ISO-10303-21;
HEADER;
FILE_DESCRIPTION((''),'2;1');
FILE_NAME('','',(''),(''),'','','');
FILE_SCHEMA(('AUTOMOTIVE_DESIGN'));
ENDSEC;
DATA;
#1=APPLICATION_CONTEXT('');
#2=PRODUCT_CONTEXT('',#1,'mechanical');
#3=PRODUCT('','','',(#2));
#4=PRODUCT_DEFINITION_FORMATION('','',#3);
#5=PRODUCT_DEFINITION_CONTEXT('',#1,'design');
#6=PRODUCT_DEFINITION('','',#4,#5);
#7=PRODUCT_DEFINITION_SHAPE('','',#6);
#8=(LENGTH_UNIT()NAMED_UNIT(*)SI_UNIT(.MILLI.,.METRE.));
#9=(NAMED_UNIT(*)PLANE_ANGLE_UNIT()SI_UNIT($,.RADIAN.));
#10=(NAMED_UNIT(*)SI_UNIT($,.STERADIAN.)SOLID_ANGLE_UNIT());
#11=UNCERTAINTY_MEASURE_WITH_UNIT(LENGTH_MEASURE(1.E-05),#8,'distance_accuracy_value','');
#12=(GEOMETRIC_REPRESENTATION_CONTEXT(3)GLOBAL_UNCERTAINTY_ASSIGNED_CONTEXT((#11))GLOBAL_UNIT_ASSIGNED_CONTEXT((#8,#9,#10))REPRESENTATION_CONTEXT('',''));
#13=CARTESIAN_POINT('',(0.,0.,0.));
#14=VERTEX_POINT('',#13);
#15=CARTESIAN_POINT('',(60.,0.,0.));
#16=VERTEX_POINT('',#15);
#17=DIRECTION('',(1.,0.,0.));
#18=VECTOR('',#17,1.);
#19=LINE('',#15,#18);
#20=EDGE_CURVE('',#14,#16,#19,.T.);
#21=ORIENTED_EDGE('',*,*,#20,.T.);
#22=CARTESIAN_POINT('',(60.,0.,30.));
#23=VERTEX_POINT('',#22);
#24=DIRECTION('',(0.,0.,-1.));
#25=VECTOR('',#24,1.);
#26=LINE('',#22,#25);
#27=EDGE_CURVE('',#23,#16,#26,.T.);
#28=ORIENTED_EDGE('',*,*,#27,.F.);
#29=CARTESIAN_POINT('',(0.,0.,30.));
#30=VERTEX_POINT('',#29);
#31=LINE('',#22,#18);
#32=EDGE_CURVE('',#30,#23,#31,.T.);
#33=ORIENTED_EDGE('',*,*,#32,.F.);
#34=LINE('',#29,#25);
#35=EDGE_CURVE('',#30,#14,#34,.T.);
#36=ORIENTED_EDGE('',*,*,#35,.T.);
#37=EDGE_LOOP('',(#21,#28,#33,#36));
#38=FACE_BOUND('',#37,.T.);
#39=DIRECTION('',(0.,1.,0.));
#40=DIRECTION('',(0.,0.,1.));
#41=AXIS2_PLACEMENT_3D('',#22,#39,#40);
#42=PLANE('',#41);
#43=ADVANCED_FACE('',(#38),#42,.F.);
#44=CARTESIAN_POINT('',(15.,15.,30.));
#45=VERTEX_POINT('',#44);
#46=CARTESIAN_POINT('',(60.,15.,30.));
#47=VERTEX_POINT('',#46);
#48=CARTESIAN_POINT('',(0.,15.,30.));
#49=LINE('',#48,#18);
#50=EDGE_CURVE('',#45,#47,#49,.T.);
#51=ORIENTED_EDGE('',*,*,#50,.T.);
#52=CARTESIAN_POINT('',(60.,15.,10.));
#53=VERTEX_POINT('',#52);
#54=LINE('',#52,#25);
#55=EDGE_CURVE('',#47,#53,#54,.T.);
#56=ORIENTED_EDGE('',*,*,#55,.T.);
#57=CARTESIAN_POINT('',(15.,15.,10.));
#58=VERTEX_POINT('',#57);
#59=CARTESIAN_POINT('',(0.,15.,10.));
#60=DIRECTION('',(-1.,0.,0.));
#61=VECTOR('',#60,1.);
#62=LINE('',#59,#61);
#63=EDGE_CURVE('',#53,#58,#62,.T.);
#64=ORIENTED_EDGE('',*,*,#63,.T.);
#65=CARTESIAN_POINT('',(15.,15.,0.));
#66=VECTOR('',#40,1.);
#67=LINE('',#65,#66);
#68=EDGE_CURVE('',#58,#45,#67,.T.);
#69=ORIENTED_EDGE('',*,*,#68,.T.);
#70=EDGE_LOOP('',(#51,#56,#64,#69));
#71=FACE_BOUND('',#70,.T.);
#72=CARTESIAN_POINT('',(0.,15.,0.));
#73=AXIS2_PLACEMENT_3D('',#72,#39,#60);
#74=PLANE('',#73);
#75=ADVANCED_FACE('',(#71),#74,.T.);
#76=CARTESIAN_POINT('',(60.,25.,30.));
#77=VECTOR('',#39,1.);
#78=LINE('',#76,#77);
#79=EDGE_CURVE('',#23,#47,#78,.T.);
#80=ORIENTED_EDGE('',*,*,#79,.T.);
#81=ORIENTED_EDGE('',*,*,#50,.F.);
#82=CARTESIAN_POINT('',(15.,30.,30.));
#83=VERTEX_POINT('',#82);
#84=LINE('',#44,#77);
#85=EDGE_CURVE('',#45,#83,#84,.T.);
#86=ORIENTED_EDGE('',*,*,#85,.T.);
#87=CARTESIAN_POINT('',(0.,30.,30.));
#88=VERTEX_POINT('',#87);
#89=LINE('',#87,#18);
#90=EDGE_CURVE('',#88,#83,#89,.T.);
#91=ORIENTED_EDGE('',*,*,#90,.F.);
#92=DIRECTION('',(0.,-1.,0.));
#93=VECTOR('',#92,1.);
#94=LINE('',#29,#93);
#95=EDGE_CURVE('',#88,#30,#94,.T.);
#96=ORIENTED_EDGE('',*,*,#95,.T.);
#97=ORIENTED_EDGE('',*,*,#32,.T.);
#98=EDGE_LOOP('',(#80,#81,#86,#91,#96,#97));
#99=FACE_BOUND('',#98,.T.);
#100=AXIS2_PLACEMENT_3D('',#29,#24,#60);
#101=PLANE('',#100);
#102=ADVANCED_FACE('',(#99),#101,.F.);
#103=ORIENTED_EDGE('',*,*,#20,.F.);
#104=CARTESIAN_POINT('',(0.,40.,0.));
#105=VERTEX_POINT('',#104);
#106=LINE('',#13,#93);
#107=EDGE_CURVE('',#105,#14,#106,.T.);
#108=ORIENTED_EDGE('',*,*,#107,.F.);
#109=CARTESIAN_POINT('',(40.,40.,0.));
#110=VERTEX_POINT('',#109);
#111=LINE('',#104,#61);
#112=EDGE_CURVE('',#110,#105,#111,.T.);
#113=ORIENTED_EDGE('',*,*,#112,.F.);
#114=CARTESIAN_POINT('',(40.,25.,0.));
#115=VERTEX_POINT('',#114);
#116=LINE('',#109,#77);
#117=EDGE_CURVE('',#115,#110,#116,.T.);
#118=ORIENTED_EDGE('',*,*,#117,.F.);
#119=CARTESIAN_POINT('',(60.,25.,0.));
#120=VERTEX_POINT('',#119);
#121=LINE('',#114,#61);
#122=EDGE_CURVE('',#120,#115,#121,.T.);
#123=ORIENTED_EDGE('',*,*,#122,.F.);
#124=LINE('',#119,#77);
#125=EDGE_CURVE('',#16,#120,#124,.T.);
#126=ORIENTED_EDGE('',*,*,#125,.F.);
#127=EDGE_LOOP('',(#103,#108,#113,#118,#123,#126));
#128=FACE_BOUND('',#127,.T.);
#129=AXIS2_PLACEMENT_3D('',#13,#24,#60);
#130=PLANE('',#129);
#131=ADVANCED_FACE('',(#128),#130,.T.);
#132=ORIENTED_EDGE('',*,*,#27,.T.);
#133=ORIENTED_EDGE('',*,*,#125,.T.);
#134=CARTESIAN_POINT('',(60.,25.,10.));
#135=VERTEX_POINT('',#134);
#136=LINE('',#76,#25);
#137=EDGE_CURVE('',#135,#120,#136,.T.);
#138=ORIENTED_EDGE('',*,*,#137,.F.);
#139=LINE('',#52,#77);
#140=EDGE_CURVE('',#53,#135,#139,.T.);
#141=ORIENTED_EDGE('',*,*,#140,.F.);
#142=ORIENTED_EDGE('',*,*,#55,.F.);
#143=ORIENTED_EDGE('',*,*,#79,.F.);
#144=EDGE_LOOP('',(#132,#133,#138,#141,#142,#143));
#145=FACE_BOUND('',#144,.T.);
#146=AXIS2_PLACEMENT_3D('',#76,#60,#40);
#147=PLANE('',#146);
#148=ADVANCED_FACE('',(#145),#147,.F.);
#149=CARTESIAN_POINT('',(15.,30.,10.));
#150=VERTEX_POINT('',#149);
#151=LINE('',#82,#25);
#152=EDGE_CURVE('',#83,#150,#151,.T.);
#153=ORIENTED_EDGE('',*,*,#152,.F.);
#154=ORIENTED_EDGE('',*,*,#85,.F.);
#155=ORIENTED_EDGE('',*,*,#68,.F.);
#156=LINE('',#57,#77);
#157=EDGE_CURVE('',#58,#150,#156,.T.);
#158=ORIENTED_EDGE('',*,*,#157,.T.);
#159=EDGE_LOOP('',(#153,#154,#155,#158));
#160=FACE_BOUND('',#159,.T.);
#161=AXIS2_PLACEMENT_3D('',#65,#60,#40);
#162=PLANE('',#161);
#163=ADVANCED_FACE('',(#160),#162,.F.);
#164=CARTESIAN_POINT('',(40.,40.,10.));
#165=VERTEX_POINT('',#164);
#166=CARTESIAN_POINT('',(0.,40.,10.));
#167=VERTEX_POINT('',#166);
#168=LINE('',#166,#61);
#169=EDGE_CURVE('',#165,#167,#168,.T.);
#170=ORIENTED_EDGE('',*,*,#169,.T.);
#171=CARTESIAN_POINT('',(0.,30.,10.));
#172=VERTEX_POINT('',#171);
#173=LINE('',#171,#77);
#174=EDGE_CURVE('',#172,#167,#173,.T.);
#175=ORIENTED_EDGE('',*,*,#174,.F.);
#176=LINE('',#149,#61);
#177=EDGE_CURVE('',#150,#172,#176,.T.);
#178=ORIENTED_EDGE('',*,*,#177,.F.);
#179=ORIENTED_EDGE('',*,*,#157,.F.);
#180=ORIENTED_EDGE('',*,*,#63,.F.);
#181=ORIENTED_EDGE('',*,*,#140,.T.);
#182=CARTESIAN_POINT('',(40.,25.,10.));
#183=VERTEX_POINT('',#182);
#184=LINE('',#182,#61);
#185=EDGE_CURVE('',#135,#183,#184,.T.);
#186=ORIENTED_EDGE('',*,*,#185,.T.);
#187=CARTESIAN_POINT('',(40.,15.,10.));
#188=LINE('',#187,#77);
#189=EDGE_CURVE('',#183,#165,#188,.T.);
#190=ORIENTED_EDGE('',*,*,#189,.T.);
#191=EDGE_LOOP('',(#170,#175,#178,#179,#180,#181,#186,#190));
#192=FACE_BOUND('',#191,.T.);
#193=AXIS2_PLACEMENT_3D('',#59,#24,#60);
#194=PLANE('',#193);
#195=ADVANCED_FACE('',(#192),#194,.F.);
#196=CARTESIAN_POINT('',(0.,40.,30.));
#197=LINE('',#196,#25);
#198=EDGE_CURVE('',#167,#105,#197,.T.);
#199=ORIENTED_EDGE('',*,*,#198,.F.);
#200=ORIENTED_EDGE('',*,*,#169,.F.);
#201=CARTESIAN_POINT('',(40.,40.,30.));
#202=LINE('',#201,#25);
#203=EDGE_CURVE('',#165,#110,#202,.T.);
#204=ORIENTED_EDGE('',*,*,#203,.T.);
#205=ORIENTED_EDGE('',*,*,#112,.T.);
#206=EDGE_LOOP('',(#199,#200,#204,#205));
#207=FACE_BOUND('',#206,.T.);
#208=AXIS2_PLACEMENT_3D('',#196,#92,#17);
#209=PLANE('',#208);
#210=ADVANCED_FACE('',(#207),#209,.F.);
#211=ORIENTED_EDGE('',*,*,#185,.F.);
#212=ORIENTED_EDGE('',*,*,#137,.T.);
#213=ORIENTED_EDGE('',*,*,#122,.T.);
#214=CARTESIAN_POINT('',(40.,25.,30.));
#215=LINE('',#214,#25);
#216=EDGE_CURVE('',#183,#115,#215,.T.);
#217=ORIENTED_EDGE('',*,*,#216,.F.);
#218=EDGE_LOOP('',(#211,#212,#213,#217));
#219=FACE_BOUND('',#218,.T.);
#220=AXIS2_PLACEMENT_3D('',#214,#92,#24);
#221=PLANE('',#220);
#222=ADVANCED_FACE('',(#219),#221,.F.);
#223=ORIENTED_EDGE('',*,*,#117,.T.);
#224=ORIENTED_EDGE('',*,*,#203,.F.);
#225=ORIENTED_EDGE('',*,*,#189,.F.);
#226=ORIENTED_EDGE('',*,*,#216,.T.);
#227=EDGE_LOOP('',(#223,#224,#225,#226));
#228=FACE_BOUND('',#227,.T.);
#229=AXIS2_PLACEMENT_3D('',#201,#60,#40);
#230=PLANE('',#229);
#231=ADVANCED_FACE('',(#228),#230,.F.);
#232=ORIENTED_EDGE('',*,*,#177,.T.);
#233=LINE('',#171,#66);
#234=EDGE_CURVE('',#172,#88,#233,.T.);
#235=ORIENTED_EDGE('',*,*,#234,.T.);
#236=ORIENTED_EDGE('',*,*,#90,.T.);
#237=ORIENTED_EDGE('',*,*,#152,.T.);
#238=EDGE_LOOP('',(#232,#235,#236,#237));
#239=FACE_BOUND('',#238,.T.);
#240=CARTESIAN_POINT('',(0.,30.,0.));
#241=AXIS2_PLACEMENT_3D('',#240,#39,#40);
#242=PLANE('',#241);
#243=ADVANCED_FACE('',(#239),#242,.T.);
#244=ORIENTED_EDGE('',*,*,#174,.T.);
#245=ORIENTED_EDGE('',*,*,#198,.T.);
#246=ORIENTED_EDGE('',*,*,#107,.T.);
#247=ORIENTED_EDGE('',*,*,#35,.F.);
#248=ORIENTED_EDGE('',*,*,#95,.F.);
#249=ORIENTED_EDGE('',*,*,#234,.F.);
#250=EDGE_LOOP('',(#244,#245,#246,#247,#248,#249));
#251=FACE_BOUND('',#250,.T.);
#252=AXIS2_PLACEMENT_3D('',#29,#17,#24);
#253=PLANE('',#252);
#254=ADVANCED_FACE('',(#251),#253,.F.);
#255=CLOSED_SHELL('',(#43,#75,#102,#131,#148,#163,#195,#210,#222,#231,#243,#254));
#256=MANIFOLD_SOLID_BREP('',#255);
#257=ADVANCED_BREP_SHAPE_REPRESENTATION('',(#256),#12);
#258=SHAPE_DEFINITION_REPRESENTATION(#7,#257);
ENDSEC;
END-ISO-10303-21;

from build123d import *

# Parameters (mm, degrees)
RESSALTO_EXTRUS_O1_DEPTH = 30
ESBO_O2_W                = 25
ESBO_O2_H                = 20
CORTE_EXTRUS_O1_DEPTH    = 25
ESBO_O3_W                = 20
ESBO_O3_H                = 20
CORTE_EXTRUS_O2_DEPTH    = 10
ESBO_O4_W                = 15
ESBO_O4_H                = 20
CORTE_EXTRUS_O3_DEPTH    = 10


with BuildPart() as part:
    # Esboço1 → Ressalto-extrusão1 (new body)
    with BuildSketch(Plane.XY):
        Polygon((0, 0), (0, 40), (40, 40), (40, 25), (60, 25), (60, 0), align=None)
    extrude(amount=RESSALTO_EXTRUS_O1_DEPTH)

    # Esboço2 → Corte-extrusão1 (cut)
    with BuildSketch(Plane(origin=(0, 40, 0), x_dir=(1, 0, 0), z_dir=(0, 1, 0))):
        with Locations((27.5, -20)):
            Rectangle(ESBO_O2_W, ESBO_O2_H)
    extrude(amount=-CORTE_EXTRUS_O1_DEPTH, mode=Mode.SUBTRACT)

    # Esboço3 → Corte-extrusão2 (cut)
    with BuildSketch(Plane(origin=(0, 25, 0), x_dir=(1, 0, 0), z_dir=(0, 1, 0))):
        with Locations((50, -20)):
            Rectangle(ESBO_O3_W, ESBO_O3_H)
    extrude(amount=-CORTE_EXTRUS_O2_DEPTH, mode=Mode.SUBTRACT)

    # Esboço4 → Corte-extrusão3 (cut)
    with BuildSketch(Plane(origin=(0, 40, 0), x_dir=(1, 0, 0), z_dir=(0, 1, 0))):
        with Locations((7.5, -20)):
            Rectangle(ESBO_O4_W, ESBO_O4_H)
    extrude(amount=-CORTE_EXTRUS_O3_DEPTH, mode=Mode.SUBTRACT)


solid = part.part
